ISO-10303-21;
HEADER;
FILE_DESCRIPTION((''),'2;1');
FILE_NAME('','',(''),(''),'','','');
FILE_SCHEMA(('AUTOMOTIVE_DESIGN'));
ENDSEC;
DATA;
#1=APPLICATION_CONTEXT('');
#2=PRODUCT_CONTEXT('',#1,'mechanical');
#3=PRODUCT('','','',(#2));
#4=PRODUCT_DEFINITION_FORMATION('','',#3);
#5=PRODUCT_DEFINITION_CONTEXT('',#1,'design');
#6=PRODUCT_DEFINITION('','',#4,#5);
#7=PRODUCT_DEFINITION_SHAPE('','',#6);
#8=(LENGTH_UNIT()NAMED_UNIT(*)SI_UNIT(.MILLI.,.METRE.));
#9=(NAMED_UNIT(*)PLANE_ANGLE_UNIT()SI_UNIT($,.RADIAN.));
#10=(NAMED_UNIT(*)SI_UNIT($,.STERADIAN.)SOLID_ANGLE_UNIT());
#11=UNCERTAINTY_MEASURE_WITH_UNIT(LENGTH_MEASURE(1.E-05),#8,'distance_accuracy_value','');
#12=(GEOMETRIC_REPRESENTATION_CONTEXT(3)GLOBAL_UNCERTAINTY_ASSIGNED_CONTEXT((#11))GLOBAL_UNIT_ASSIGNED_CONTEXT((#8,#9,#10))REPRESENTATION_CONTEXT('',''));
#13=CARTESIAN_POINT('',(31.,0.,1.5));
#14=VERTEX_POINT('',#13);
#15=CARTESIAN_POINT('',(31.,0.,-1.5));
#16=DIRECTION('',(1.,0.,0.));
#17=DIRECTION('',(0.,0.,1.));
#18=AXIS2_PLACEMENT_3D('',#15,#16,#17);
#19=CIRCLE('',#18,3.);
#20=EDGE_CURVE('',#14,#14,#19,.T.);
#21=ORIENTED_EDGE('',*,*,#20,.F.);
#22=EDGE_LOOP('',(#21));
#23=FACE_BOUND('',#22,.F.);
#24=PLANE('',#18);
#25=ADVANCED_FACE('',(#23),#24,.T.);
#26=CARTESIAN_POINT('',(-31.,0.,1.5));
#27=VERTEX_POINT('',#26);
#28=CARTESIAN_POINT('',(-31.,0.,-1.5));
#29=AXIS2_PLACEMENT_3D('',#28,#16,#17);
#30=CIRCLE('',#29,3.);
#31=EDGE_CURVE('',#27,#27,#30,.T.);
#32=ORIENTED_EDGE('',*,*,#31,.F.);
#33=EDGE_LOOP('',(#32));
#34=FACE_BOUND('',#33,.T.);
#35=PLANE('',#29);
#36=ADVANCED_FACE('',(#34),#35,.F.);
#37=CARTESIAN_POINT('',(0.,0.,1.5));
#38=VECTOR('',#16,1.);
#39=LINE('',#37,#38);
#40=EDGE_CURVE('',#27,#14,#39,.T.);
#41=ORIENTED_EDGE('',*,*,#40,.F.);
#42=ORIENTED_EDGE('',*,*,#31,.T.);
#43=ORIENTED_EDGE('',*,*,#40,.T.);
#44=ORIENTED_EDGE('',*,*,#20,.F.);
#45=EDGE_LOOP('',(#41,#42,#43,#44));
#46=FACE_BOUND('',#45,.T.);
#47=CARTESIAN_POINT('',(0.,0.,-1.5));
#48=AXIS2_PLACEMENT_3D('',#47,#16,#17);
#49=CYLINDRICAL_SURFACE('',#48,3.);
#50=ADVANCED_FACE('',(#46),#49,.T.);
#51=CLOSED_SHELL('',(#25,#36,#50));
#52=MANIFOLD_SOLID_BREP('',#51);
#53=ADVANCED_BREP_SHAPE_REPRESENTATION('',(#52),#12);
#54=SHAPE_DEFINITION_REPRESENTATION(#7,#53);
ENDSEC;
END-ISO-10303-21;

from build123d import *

# Parameters (mm, degrees)
F0_W = 62
F0_H = 3


with BuildPart() as f1:
    # F0 (on Front) → F1 (revolve)
    with BuildSketch(Plane.XZ):
        Rectangle(F0_W, F0_H)
    revolve(axis=Axis((0, 0, -1.5), (1, 0, 0)))


solid = f1.part
